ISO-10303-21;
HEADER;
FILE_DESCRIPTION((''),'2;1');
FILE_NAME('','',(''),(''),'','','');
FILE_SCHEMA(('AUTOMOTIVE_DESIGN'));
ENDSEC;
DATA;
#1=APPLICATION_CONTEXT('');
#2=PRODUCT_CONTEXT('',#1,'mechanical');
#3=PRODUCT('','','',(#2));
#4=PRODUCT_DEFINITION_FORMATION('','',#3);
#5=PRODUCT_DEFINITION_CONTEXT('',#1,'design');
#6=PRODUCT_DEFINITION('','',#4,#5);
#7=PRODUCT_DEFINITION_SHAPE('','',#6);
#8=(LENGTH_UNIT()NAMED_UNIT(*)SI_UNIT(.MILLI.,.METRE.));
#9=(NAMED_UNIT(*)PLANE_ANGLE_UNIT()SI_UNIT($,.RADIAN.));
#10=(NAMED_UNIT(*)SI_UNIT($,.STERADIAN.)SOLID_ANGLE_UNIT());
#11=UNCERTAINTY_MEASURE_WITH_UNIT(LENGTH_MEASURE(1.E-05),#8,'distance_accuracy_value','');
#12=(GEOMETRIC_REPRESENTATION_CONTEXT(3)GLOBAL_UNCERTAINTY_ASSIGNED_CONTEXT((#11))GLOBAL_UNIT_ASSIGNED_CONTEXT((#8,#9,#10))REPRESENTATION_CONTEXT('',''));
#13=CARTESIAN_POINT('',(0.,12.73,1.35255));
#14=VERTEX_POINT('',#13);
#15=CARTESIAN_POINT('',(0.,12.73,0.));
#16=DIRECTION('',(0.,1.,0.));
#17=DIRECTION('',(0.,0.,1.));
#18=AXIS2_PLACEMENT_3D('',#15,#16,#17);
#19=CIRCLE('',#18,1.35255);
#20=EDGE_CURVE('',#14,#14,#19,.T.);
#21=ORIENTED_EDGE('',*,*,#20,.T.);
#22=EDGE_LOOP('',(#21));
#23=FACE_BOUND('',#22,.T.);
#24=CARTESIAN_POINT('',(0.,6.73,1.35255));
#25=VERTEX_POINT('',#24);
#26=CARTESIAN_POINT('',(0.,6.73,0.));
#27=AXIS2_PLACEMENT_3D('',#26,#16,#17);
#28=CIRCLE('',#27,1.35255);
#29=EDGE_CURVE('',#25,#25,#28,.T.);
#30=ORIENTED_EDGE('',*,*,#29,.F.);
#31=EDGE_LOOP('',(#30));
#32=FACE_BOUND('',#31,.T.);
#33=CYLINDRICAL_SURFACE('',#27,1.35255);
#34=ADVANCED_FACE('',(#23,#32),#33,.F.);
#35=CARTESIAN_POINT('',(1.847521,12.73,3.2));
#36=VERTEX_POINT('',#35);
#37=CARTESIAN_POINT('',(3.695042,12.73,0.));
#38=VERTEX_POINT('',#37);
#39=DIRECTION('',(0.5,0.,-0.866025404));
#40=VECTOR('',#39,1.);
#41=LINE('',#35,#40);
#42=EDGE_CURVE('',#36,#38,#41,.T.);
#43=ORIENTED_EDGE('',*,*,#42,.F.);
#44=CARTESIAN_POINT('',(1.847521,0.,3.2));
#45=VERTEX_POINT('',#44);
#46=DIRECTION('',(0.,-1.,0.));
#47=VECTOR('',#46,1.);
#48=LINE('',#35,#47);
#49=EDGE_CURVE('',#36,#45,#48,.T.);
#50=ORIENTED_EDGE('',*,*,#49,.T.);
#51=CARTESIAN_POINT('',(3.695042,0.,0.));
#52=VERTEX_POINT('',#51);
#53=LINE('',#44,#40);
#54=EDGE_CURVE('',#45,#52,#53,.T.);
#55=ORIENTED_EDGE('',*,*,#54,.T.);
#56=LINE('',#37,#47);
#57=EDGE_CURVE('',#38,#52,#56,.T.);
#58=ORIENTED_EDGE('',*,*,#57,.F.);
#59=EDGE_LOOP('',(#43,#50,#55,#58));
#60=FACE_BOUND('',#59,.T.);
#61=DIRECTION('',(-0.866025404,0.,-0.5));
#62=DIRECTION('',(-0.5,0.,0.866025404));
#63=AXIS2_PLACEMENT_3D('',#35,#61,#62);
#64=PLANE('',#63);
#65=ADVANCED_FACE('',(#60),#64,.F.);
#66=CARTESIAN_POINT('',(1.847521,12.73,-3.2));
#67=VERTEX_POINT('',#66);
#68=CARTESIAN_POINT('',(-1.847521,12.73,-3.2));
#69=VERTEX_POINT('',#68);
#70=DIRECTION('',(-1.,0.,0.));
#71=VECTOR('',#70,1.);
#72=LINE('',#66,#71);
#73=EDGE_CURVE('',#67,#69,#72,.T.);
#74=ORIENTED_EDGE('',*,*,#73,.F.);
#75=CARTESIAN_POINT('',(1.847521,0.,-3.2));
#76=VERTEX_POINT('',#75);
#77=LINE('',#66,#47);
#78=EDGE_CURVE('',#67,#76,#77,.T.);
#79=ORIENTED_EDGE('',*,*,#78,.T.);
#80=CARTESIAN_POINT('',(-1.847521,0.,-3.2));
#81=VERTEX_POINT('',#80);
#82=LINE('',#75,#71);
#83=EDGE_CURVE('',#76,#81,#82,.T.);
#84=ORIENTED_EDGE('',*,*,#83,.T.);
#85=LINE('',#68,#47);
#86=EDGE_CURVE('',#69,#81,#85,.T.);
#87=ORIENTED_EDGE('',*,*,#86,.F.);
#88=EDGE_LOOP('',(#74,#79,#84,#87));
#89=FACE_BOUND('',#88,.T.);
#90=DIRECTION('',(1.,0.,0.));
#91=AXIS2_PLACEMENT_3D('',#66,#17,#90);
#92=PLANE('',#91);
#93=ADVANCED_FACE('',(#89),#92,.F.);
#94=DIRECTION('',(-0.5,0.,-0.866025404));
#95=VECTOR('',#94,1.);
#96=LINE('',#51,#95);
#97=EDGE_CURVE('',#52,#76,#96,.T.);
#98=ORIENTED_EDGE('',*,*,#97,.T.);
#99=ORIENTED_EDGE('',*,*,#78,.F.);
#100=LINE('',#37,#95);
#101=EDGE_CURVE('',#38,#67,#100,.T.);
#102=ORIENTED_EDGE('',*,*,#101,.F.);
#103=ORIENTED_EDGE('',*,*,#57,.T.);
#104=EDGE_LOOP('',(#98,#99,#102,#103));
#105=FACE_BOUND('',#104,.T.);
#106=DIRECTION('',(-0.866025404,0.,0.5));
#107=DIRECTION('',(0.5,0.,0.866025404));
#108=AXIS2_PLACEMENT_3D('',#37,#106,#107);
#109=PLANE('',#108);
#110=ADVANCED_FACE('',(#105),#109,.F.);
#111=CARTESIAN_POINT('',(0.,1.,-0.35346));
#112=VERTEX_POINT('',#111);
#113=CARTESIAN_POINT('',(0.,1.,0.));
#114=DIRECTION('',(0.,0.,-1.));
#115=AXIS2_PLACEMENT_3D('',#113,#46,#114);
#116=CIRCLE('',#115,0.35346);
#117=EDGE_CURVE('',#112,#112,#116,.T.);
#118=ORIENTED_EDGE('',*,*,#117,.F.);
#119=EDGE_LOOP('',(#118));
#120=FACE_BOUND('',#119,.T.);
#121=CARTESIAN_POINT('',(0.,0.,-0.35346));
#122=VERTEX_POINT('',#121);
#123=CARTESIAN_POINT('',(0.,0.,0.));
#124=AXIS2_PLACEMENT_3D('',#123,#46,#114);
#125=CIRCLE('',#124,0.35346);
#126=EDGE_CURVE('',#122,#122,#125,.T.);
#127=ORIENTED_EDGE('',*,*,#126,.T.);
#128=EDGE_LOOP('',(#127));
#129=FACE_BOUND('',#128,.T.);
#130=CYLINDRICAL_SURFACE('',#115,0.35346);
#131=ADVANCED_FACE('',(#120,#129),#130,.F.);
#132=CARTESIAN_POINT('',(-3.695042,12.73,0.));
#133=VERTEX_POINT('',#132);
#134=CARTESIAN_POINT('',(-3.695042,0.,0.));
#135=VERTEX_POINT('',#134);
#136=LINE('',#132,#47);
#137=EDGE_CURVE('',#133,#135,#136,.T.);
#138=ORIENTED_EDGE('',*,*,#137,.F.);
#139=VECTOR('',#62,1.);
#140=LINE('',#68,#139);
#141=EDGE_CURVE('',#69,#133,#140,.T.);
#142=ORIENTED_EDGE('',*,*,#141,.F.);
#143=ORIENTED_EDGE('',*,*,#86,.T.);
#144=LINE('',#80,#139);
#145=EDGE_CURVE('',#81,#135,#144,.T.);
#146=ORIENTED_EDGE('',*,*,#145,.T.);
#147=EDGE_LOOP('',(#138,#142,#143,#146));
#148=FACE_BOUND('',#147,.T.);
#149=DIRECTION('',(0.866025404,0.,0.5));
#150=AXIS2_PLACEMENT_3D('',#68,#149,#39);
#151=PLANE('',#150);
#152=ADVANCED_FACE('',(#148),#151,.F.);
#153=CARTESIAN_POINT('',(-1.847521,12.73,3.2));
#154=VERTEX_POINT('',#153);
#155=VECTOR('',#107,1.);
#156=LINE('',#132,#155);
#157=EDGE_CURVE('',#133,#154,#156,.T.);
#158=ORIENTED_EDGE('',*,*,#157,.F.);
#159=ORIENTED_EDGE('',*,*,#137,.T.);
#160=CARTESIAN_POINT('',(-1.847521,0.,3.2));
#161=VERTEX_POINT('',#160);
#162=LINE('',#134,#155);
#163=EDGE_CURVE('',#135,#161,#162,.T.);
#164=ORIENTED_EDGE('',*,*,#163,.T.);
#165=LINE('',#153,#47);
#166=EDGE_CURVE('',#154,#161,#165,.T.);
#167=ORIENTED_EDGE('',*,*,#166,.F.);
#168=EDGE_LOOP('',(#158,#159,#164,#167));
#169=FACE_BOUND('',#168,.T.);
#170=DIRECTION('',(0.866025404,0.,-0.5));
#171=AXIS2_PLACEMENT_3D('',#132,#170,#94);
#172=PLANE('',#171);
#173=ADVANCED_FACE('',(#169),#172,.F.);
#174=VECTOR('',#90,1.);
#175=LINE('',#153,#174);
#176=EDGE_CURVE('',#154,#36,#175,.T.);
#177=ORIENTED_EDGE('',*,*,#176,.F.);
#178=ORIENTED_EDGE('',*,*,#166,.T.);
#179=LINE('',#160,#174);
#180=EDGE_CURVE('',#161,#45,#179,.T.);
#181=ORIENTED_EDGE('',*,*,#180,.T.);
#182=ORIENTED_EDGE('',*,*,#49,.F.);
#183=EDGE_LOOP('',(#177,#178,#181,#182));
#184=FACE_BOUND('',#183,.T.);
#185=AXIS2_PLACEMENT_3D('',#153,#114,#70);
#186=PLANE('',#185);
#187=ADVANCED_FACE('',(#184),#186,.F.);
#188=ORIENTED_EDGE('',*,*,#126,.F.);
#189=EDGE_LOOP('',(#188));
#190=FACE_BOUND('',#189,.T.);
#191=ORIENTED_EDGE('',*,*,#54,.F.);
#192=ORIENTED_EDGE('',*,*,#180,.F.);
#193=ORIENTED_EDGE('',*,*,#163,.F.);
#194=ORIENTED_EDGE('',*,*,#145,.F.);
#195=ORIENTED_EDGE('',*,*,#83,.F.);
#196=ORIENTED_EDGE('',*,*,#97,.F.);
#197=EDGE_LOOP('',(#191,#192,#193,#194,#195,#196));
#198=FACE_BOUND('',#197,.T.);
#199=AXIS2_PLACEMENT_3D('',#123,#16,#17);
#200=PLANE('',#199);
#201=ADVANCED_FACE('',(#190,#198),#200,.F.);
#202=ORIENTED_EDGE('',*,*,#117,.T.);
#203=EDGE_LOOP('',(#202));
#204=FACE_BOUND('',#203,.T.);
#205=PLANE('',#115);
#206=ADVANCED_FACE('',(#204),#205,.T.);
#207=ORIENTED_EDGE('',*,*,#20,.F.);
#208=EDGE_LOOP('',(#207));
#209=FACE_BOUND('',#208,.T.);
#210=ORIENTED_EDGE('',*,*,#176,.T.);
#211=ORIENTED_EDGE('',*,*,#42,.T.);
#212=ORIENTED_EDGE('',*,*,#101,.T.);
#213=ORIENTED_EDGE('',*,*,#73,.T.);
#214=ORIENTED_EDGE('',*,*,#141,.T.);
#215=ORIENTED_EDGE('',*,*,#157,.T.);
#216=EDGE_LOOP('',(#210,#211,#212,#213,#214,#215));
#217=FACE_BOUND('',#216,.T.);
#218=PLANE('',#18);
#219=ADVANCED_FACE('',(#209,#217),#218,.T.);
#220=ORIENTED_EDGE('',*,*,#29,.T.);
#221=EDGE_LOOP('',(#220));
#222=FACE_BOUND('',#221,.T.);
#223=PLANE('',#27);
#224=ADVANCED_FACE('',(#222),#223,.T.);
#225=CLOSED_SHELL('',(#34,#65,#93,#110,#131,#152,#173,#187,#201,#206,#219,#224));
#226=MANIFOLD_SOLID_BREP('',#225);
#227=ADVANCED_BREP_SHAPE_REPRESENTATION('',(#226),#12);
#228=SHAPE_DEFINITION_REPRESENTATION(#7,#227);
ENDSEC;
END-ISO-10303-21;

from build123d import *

# Parameters (mm, degrees)
BOSS_EXTRUDE1_DEPTH = 12.73
SKETCH3_R           = 1.35255
CUT_EXTRUDE1_DEPTH  = 6
SKETCH4_R           = 0.353459893
CUT_EXTRUDE2_DEPTH  = 1


with BuildPart() as part:
    # Sketch1 → Boss-Extrude1 (new body)
    with BuildSketch(Plane(origin=(0, 0, 0), x_dir=(1, 0, 0), z_dir=(0, 1, 0))):
        Polygon((-3.695041723, 0), (-1.847520861, -3.2), (1.847520861, -3.2), (3.695041723, 0), (1.847520861, 3.2), (-1.847520861, 3.2), align=None)
    extrude(amount=BOSS_EXTRUDE1_DEPTH)

    # Sketch3 → Cut-Extrude1 (cut)
    with BuildSketch(Plane(origin=(0, 12.73, 0), x_dir=(1, 0, 0), z_dir=(0, 1, 0))):
        with Locations(Location((0, 0, 0), (0, 0, 270))):
            Circle(SKETCH3_R)
    extrude(amount=-CUT_EXTRUDE1_DEPTH, mode=Mode.SUBTRACT)

    # Sketch4 → Cut-Extrude2 (cut)
    with BuildSketch(Plane.XZ):
        with Locations(Location((0, 0, 0), (0, 0, 270))):
            Circle(SKETCH4_R)
    extrude(amount=-CUT_EXTRUDE2_DEPTH, mode=Mode.SUBTRACT)


solid = part.part
